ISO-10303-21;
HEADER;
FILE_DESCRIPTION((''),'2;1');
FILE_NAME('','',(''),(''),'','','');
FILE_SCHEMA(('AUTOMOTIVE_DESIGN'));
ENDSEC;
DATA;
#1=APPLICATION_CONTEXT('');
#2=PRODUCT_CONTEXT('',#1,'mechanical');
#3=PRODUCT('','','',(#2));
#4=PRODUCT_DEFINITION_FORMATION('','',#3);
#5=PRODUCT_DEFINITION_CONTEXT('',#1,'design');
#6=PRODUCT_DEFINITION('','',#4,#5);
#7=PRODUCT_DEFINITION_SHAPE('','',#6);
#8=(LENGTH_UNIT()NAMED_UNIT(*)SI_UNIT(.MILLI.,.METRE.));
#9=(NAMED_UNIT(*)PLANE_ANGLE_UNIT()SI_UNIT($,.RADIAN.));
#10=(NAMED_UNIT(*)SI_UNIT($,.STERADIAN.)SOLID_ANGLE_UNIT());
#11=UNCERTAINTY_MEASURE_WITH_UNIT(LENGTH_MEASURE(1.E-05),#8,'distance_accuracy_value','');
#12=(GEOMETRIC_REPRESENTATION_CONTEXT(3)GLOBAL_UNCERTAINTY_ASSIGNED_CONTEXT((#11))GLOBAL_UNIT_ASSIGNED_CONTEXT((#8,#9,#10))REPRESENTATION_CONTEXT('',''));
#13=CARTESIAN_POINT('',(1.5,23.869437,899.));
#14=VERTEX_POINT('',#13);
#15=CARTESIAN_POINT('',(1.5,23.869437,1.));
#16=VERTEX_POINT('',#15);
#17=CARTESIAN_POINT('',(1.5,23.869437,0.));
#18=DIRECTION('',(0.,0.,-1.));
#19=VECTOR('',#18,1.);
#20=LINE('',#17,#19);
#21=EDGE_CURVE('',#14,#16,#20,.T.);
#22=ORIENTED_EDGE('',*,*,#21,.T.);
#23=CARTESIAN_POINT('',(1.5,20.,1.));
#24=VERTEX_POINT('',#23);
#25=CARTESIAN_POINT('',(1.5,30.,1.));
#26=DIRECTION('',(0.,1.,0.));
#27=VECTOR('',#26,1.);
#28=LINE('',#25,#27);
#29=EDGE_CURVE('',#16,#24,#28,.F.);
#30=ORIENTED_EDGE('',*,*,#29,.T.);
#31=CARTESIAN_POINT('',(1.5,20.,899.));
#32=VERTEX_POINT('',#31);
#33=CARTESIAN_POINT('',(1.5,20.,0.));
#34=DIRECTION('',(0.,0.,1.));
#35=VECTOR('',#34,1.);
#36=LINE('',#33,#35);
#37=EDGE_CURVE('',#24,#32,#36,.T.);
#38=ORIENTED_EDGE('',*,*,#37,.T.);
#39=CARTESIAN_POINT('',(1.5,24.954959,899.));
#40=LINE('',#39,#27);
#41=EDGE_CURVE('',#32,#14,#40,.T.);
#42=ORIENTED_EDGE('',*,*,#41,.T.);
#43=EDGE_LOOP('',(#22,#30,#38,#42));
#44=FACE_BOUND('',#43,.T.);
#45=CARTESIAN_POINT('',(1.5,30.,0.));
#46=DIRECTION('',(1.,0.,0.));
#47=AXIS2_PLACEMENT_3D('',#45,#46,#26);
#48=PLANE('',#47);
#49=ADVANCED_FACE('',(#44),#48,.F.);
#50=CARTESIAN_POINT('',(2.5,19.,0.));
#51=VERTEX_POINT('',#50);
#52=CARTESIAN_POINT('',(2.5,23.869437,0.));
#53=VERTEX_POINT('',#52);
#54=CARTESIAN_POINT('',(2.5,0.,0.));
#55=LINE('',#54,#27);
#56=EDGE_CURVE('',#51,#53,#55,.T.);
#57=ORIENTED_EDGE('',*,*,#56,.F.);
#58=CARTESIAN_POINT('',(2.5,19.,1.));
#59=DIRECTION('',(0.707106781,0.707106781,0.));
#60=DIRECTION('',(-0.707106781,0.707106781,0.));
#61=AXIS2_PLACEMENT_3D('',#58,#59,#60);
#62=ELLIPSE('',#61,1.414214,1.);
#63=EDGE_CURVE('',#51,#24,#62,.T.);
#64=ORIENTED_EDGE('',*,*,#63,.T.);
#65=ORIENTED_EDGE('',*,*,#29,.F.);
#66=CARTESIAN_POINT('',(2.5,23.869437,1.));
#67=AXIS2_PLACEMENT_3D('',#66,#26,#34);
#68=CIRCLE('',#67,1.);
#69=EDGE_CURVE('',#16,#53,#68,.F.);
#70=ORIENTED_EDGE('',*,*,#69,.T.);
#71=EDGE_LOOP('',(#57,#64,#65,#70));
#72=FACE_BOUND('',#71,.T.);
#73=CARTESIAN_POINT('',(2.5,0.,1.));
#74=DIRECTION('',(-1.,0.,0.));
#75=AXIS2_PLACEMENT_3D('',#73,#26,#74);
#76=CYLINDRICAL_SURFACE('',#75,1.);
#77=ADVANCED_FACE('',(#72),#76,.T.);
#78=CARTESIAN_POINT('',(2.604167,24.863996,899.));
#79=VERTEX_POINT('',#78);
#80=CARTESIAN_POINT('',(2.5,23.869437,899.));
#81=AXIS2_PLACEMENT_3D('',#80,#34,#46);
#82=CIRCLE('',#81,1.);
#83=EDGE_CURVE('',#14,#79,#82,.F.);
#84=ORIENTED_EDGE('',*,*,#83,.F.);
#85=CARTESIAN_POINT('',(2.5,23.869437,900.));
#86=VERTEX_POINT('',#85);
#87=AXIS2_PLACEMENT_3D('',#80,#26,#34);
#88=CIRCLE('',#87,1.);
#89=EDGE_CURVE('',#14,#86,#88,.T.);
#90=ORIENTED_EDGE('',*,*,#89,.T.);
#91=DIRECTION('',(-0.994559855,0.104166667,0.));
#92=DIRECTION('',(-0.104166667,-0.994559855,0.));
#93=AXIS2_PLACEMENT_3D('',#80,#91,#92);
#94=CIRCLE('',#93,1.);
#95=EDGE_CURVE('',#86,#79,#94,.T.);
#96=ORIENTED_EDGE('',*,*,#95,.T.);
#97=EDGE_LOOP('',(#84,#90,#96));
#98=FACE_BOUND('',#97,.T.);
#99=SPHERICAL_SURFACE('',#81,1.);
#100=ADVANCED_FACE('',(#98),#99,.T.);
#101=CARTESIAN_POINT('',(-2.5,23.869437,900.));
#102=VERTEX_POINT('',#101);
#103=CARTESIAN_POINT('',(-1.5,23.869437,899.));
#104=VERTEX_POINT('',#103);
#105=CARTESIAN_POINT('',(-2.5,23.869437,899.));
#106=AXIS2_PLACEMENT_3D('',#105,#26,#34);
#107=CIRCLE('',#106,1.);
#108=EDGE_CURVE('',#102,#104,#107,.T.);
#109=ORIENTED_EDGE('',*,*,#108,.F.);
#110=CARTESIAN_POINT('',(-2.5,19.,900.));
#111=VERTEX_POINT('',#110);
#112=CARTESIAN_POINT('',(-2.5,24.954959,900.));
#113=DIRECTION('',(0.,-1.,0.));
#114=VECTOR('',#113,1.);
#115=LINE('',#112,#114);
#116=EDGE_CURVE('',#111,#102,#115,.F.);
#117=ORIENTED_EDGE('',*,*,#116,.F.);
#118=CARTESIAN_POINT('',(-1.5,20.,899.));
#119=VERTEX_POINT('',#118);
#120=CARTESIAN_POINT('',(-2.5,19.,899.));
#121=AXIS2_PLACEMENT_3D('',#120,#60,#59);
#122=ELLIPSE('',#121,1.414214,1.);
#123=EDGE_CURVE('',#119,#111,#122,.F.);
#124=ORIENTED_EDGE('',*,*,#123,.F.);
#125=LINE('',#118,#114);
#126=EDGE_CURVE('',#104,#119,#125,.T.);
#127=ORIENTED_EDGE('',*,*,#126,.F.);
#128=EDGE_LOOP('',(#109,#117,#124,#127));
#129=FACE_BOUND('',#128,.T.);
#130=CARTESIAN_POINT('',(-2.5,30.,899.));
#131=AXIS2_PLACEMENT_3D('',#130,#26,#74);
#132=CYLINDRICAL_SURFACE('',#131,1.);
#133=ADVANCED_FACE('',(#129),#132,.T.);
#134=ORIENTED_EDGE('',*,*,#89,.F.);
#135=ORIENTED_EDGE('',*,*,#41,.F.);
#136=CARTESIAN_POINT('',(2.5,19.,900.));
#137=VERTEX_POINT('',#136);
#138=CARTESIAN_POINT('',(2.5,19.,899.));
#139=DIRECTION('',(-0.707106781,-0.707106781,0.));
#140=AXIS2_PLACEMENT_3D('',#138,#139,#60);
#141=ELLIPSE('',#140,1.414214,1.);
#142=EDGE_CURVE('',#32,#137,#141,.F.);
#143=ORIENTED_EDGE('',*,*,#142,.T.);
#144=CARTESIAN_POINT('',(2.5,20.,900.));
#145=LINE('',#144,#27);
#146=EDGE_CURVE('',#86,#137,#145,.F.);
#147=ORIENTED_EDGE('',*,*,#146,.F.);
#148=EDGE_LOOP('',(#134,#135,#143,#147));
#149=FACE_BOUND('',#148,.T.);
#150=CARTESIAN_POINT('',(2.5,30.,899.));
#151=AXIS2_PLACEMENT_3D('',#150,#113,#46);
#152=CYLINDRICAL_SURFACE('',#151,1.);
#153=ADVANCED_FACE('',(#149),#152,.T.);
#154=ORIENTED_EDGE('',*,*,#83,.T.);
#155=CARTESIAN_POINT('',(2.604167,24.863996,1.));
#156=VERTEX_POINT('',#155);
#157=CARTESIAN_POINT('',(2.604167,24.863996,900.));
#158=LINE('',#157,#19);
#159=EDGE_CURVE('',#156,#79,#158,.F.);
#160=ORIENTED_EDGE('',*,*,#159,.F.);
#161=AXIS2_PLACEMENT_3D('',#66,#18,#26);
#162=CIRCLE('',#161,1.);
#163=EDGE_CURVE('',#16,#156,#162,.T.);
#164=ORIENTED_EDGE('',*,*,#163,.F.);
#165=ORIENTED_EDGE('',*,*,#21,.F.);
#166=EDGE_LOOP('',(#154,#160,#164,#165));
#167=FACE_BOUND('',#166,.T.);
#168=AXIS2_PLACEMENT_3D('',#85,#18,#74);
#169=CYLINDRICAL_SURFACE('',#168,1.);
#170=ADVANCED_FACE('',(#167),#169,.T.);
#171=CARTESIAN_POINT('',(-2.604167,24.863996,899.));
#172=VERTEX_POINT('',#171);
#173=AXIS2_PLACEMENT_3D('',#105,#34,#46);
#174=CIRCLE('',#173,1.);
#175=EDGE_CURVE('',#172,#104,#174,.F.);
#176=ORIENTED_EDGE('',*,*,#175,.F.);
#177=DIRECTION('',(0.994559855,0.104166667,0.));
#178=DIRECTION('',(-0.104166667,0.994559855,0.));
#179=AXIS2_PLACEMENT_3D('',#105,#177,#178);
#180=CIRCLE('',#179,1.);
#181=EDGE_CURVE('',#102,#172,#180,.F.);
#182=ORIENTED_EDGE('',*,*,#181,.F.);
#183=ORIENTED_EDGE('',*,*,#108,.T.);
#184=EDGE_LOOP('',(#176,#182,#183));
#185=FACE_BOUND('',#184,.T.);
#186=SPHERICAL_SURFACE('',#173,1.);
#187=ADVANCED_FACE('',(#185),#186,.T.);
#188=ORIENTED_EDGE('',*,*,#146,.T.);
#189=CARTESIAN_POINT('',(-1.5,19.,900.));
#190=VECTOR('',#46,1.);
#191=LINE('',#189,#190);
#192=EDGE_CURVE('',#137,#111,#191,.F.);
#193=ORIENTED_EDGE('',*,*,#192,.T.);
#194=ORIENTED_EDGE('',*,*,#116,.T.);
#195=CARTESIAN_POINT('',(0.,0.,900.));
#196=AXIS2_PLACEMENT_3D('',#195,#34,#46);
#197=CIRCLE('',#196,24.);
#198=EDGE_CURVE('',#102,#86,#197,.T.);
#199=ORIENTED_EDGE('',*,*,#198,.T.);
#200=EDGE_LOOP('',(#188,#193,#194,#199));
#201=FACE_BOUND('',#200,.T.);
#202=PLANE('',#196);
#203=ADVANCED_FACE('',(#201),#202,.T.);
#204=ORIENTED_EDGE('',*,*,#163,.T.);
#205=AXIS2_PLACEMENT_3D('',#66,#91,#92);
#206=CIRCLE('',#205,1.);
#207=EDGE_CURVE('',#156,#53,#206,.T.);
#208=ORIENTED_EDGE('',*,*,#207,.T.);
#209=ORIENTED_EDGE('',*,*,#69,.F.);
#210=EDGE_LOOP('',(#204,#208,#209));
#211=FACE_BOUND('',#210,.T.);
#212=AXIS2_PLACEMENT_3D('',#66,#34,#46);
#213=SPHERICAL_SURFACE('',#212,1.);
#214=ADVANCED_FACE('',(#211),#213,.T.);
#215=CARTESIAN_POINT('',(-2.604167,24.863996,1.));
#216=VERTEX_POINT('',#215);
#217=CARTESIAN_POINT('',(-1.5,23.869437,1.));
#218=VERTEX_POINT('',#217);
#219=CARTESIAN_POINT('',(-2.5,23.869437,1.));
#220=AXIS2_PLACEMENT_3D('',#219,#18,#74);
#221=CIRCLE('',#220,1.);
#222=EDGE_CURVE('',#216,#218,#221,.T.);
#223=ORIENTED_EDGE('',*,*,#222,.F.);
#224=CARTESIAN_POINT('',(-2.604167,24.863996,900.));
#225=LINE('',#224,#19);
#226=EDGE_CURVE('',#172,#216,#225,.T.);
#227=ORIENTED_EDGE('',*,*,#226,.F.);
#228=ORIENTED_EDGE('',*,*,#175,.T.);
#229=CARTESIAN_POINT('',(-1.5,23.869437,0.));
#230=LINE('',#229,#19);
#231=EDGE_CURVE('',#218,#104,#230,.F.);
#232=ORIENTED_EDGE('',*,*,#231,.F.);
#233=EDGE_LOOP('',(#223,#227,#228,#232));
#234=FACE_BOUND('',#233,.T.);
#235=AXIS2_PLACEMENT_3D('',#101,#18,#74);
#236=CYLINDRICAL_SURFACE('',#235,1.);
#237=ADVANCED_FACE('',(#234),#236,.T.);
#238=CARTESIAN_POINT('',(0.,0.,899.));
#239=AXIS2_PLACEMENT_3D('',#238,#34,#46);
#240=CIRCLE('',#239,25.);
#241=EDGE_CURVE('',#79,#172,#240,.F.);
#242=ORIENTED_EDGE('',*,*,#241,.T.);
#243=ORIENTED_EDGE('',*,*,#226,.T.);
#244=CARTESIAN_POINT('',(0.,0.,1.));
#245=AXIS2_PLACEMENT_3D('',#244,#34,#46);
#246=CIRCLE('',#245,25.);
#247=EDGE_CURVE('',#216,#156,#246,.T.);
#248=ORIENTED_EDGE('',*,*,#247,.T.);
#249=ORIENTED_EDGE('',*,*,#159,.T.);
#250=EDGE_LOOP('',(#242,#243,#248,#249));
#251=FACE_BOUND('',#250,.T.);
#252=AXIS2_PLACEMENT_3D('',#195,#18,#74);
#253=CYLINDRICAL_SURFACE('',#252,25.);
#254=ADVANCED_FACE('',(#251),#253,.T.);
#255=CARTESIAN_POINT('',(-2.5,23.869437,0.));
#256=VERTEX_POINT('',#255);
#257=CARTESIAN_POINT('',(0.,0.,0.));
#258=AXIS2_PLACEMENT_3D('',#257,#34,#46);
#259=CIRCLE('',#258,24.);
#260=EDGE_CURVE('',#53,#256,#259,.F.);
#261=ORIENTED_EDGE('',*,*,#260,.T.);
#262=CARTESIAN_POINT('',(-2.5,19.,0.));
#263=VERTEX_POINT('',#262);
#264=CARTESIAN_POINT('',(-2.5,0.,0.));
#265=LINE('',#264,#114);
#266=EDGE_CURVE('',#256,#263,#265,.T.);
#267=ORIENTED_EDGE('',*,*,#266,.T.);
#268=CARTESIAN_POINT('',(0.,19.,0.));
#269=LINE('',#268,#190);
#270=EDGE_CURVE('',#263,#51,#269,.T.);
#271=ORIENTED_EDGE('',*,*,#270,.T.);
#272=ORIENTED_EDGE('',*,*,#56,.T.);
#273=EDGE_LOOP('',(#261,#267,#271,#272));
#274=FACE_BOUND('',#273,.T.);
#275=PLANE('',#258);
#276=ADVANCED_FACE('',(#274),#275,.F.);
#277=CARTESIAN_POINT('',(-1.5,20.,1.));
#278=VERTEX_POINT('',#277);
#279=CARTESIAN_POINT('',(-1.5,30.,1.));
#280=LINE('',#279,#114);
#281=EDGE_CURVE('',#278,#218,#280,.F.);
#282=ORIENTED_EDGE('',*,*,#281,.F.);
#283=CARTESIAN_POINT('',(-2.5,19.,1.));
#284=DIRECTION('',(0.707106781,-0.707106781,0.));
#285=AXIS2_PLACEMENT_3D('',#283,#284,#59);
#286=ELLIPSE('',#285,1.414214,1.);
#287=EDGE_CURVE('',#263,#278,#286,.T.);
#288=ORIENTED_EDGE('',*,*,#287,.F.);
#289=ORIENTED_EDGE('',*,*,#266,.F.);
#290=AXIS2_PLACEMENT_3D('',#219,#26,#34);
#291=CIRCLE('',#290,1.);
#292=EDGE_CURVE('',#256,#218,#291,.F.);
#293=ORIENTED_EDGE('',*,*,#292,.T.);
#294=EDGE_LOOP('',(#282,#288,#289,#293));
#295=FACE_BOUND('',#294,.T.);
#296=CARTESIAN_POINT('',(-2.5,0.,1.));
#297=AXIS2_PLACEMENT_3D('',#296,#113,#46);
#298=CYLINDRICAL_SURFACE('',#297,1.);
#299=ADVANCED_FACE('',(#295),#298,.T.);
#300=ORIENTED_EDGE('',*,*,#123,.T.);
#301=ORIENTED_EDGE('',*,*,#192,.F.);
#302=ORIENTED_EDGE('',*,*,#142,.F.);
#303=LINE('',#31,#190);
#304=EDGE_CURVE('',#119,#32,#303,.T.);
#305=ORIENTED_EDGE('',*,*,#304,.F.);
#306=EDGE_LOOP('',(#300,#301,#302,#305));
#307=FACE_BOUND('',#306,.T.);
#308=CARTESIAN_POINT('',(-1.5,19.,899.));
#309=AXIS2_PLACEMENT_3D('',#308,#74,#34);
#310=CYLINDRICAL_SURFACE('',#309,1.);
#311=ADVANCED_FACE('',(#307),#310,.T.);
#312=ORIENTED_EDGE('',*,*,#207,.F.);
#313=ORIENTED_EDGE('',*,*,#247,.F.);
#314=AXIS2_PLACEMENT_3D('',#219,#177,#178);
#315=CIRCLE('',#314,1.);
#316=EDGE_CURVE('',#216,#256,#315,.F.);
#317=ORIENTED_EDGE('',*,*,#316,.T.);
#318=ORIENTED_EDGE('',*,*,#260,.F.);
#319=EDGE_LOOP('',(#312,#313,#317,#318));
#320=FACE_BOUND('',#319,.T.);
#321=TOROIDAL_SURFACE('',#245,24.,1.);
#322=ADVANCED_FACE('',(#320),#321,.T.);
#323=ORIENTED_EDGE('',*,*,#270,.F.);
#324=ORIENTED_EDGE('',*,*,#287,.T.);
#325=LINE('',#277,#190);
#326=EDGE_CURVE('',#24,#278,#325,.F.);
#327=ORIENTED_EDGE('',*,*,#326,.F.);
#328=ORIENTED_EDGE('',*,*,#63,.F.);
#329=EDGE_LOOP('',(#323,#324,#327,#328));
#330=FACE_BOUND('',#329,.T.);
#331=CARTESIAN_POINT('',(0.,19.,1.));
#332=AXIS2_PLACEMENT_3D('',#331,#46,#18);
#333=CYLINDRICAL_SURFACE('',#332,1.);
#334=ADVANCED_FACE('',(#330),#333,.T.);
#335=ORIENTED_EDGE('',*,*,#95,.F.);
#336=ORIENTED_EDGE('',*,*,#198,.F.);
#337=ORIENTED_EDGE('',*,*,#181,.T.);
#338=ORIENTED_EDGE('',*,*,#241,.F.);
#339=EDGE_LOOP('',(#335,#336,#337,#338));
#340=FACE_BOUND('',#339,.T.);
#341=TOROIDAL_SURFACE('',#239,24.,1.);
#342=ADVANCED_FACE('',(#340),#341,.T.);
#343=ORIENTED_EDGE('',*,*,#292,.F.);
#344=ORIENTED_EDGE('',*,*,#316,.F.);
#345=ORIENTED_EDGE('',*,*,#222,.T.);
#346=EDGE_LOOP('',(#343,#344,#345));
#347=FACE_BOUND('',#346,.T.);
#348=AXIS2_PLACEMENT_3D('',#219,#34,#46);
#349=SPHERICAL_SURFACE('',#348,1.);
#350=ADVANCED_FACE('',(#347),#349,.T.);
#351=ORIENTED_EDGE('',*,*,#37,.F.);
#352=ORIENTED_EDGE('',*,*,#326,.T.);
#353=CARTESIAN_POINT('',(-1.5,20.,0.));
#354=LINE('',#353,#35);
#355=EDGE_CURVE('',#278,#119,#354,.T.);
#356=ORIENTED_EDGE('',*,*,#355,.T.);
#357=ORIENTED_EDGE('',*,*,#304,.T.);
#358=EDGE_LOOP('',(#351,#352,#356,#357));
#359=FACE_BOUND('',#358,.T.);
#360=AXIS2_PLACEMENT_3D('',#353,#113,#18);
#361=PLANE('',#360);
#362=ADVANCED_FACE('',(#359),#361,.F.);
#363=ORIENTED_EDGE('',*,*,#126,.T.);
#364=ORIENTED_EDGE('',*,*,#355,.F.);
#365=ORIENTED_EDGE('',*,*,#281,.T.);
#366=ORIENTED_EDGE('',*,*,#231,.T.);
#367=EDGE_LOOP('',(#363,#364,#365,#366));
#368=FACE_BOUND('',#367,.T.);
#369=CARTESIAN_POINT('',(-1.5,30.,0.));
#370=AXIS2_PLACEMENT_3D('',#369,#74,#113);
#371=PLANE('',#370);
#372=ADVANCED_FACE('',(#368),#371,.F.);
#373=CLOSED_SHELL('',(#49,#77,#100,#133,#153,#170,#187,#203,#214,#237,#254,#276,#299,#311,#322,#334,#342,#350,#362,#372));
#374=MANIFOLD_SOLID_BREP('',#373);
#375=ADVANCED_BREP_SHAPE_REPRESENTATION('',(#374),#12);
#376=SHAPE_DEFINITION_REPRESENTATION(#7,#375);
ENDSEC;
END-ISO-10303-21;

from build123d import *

# Parameters (mm, degrees)
SKETCH1_R               = 25
BOSS_EXTRUDE1_DEPTH     = 900
SKETCH2_W               = 3
SKETCH2_H               = 10
CUT_EXTRUDE1_DEPTH      = 1
CUT_EXTRUDE1_DEPTH_BACK = 901
FILLET1_R               = 1


with BuildPart() as part:
    # Sketch1 → Boss-Extrude1 (new body)
    with BuildSketch(Plane.XY):
        Circle(SKETCH1_R)
    extrude(amount=BOSS_EXTRUDE1_DEPTH)

    # Sketch2 → Cut-Extrude1 (cut, two sides)
    with BuildSketch(Plane.XY.offset(900)) as cut_extrude1_sk:
        with Locations((0, 25)):
            Rectangle(SKETCH2_W, SKETCH2_H)
    extrude(amount=CUT_EXTRUDE1_DEPTH, mode=Mode.SUBTRACT)
    extrude(cut_extrude1_sk.sketch, amount=-CUT_EXTRUDE1_DEPTH_BACK, mode=Mode.SUBTRACT)

    # Fillet1
    fillet1_edges = [part.edges().sort_by_distance(p)[0] for p in [
        (1.5, 22.477479713, 900),
        (0, 20, 0),
        (-1.5, 22.477479713, 900),
        (-17.139136501, -18.200274723, 0),
        (-1.5, 22.477479713, 0),
        (-17.139136501, -18.200274723, 900),
        (1.5, 22.477479713, 0),
        (1.5, 24.954959427, 450),
        (0, 20, 900),
        (-1.5, 24.954959427, 450),
    ]]
    fillet(fillet1_edges, radius=FILLET1_R)


solid = part.part
